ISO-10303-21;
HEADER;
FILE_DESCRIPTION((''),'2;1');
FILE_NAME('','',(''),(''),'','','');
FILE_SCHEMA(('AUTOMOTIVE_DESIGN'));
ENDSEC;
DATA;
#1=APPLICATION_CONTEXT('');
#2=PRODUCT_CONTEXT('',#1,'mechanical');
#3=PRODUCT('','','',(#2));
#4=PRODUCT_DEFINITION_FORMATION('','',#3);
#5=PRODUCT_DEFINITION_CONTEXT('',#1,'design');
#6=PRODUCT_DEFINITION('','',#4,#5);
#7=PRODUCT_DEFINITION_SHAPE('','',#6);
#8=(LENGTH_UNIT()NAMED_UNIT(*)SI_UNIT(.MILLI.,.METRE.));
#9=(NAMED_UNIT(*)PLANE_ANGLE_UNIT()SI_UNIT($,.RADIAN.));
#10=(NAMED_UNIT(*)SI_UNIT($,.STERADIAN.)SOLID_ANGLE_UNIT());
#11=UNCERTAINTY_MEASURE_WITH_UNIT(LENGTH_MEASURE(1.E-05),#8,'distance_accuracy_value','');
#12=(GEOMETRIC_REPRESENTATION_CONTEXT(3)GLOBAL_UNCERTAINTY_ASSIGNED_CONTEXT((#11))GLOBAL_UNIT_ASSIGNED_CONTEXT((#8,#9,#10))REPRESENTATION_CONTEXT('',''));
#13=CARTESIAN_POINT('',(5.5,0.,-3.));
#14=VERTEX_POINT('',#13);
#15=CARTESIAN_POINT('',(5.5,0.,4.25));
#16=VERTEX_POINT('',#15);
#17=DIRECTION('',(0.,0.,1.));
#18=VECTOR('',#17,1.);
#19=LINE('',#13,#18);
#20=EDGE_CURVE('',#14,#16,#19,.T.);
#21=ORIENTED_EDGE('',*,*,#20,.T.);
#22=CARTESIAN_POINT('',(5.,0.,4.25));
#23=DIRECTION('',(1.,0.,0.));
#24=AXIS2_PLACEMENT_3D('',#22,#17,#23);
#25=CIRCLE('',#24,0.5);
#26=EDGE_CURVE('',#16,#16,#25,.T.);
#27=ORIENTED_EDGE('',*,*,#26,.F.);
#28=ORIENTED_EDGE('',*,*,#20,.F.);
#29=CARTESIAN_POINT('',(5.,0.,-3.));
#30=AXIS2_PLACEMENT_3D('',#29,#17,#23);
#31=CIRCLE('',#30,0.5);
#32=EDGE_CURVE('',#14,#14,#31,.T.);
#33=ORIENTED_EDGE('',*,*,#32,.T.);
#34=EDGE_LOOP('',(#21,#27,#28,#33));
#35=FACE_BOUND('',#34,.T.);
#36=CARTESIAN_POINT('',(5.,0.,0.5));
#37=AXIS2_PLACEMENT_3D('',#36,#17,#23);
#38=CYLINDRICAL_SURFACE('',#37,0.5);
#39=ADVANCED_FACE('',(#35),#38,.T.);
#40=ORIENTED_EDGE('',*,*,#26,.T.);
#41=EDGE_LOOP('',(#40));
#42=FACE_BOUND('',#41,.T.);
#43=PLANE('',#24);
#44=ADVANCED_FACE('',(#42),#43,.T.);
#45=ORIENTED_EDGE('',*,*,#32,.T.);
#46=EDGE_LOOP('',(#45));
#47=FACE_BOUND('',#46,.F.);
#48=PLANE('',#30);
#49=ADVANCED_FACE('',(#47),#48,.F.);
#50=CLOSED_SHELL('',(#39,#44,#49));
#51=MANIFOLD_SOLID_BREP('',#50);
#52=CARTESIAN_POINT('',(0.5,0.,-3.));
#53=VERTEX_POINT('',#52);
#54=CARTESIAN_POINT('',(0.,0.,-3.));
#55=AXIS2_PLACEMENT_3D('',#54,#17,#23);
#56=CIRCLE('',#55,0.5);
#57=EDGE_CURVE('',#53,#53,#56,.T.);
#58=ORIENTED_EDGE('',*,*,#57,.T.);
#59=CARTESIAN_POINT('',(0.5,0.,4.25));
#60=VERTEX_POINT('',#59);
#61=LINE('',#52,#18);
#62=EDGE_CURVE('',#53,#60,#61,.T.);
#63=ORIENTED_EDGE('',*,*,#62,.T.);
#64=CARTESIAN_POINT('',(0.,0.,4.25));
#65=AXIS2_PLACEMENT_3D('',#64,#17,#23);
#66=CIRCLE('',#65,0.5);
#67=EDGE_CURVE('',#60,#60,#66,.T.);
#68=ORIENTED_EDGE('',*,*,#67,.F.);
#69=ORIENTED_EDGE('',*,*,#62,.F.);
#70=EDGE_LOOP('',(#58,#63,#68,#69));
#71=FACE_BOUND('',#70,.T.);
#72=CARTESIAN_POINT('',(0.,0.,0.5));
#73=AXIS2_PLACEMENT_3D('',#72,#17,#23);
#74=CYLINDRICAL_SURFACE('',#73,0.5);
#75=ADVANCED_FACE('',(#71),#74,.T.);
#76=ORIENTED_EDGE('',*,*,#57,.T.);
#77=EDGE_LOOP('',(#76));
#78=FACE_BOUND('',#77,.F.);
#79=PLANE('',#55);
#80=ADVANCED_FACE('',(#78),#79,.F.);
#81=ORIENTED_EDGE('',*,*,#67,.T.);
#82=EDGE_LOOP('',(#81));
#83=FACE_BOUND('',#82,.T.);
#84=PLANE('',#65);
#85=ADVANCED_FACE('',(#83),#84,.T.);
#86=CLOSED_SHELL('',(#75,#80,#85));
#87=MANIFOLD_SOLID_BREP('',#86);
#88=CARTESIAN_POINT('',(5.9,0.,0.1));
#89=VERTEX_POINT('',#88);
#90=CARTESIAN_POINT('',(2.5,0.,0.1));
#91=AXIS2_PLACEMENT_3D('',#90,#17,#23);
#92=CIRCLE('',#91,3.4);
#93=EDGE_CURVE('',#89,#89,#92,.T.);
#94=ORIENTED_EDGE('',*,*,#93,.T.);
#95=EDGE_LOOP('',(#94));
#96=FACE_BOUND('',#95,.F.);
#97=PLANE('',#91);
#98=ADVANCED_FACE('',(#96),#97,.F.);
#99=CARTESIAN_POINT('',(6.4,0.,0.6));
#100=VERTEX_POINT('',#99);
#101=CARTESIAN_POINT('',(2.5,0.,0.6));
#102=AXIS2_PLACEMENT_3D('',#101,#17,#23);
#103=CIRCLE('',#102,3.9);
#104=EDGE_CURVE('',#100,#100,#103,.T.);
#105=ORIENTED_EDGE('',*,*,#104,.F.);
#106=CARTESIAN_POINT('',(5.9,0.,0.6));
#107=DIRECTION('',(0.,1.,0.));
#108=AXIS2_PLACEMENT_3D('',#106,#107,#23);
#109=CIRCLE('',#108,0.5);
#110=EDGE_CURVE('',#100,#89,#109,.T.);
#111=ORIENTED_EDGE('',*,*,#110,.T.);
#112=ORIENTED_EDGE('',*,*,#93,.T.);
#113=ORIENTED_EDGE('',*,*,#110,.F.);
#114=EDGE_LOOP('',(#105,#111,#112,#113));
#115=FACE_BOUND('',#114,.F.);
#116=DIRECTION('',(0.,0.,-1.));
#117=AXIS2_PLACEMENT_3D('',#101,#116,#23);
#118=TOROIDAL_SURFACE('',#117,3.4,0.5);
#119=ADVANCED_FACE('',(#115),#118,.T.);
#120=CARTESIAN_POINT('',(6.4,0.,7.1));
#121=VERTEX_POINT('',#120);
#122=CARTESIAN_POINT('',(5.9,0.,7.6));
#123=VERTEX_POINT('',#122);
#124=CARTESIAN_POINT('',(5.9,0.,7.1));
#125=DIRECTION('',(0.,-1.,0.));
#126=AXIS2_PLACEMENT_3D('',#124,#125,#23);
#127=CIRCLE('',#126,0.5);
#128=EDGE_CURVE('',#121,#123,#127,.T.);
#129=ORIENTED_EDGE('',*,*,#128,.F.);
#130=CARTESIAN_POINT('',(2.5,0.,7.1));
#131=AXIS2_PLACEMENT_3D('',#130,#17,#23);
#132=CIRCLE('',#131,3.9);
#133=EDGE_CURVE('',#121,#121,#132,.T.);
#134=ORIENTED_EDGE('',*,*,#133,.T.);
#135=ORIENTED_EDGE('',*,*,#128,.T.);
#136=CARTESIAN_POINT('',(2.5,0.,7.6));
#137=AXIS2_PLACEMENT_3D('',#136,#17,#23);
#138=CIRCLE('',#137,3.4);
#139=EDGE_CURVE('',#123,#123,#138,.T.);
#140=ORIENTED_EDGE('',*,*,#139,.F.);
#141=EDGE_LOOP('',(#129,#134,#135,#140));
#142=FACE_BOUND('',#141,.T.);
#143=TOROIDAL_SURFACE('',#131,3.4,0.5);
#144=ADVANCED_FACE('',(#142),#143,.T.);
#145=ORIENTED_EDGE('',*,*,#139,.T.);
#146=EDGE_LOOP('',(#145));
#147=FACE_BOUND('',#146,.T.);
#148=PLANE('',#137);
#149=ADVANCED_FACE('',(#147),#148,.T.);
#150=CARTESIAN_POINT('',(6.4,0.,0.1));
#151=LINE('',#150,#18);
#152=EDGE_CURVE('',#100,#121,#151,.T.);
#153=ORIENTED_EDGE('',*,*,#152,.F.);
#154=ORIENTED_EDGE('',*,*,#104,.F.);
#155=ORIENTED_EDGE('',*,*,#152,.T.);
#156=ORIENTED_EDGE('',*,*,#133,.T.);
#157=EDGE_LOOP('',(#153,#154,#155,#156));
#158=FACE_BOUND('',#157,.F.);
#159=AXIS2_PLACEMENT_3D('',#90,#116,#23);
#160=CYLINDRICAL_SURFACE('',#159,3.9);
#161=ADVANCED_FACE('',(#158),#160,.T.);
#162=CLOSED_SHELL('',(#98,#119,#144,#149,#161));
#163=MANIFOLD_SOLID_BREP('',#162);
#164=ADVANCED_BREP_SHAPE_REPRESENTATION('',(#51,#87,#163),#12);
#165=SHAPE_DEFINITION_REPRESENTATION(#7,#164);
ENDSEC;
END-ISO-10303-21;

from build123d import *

# Parameters (mm, degrees)
SKETCH001_R       = 0.5
PAD001_DEPTH      = 3.75
PAD001_DEPTH_BACK = 3.5
SKETCH_R          = 3.9
PAD_DEPTH         = 7.5
FILLET_R          = 0.5


with BuildPart() as pad001:
    # Sketch001 → Pad001 (new body, two sides)
    with BuildSketch(Plane.XY.offset(0.5)) as pad001_sk:
        Circle(SKETCH001_R)
        with Locations((5, 0)):
            Circle(SKETCH001_R)
    extrude(amount=PAD001_DEPTH)
    extrude(pad001_sk.sketch, amount=-PAD001_DEPTH_BACK)


with BuildPart() as fillet_body:
    # Sketch → Pad (new body)
    with BuildSketch(Plane.XY.offset(0.1)):
        with Locations((2.5, 0)):
            Circle(SKETCH_R)
    extrude(amount=PAD_DEPTH)

    # Fillet
    fillet_edges = [fillet_body.edges().sort_by_distance(p)[0] for p in [
        (-1.4, 0, 0.1),
        (-1.4, 0, 7.6),
    ]]
    fillet(fillet_edges, radius=FILLET_R)


solid = Compound([pad001.part, fillet_body.part])
